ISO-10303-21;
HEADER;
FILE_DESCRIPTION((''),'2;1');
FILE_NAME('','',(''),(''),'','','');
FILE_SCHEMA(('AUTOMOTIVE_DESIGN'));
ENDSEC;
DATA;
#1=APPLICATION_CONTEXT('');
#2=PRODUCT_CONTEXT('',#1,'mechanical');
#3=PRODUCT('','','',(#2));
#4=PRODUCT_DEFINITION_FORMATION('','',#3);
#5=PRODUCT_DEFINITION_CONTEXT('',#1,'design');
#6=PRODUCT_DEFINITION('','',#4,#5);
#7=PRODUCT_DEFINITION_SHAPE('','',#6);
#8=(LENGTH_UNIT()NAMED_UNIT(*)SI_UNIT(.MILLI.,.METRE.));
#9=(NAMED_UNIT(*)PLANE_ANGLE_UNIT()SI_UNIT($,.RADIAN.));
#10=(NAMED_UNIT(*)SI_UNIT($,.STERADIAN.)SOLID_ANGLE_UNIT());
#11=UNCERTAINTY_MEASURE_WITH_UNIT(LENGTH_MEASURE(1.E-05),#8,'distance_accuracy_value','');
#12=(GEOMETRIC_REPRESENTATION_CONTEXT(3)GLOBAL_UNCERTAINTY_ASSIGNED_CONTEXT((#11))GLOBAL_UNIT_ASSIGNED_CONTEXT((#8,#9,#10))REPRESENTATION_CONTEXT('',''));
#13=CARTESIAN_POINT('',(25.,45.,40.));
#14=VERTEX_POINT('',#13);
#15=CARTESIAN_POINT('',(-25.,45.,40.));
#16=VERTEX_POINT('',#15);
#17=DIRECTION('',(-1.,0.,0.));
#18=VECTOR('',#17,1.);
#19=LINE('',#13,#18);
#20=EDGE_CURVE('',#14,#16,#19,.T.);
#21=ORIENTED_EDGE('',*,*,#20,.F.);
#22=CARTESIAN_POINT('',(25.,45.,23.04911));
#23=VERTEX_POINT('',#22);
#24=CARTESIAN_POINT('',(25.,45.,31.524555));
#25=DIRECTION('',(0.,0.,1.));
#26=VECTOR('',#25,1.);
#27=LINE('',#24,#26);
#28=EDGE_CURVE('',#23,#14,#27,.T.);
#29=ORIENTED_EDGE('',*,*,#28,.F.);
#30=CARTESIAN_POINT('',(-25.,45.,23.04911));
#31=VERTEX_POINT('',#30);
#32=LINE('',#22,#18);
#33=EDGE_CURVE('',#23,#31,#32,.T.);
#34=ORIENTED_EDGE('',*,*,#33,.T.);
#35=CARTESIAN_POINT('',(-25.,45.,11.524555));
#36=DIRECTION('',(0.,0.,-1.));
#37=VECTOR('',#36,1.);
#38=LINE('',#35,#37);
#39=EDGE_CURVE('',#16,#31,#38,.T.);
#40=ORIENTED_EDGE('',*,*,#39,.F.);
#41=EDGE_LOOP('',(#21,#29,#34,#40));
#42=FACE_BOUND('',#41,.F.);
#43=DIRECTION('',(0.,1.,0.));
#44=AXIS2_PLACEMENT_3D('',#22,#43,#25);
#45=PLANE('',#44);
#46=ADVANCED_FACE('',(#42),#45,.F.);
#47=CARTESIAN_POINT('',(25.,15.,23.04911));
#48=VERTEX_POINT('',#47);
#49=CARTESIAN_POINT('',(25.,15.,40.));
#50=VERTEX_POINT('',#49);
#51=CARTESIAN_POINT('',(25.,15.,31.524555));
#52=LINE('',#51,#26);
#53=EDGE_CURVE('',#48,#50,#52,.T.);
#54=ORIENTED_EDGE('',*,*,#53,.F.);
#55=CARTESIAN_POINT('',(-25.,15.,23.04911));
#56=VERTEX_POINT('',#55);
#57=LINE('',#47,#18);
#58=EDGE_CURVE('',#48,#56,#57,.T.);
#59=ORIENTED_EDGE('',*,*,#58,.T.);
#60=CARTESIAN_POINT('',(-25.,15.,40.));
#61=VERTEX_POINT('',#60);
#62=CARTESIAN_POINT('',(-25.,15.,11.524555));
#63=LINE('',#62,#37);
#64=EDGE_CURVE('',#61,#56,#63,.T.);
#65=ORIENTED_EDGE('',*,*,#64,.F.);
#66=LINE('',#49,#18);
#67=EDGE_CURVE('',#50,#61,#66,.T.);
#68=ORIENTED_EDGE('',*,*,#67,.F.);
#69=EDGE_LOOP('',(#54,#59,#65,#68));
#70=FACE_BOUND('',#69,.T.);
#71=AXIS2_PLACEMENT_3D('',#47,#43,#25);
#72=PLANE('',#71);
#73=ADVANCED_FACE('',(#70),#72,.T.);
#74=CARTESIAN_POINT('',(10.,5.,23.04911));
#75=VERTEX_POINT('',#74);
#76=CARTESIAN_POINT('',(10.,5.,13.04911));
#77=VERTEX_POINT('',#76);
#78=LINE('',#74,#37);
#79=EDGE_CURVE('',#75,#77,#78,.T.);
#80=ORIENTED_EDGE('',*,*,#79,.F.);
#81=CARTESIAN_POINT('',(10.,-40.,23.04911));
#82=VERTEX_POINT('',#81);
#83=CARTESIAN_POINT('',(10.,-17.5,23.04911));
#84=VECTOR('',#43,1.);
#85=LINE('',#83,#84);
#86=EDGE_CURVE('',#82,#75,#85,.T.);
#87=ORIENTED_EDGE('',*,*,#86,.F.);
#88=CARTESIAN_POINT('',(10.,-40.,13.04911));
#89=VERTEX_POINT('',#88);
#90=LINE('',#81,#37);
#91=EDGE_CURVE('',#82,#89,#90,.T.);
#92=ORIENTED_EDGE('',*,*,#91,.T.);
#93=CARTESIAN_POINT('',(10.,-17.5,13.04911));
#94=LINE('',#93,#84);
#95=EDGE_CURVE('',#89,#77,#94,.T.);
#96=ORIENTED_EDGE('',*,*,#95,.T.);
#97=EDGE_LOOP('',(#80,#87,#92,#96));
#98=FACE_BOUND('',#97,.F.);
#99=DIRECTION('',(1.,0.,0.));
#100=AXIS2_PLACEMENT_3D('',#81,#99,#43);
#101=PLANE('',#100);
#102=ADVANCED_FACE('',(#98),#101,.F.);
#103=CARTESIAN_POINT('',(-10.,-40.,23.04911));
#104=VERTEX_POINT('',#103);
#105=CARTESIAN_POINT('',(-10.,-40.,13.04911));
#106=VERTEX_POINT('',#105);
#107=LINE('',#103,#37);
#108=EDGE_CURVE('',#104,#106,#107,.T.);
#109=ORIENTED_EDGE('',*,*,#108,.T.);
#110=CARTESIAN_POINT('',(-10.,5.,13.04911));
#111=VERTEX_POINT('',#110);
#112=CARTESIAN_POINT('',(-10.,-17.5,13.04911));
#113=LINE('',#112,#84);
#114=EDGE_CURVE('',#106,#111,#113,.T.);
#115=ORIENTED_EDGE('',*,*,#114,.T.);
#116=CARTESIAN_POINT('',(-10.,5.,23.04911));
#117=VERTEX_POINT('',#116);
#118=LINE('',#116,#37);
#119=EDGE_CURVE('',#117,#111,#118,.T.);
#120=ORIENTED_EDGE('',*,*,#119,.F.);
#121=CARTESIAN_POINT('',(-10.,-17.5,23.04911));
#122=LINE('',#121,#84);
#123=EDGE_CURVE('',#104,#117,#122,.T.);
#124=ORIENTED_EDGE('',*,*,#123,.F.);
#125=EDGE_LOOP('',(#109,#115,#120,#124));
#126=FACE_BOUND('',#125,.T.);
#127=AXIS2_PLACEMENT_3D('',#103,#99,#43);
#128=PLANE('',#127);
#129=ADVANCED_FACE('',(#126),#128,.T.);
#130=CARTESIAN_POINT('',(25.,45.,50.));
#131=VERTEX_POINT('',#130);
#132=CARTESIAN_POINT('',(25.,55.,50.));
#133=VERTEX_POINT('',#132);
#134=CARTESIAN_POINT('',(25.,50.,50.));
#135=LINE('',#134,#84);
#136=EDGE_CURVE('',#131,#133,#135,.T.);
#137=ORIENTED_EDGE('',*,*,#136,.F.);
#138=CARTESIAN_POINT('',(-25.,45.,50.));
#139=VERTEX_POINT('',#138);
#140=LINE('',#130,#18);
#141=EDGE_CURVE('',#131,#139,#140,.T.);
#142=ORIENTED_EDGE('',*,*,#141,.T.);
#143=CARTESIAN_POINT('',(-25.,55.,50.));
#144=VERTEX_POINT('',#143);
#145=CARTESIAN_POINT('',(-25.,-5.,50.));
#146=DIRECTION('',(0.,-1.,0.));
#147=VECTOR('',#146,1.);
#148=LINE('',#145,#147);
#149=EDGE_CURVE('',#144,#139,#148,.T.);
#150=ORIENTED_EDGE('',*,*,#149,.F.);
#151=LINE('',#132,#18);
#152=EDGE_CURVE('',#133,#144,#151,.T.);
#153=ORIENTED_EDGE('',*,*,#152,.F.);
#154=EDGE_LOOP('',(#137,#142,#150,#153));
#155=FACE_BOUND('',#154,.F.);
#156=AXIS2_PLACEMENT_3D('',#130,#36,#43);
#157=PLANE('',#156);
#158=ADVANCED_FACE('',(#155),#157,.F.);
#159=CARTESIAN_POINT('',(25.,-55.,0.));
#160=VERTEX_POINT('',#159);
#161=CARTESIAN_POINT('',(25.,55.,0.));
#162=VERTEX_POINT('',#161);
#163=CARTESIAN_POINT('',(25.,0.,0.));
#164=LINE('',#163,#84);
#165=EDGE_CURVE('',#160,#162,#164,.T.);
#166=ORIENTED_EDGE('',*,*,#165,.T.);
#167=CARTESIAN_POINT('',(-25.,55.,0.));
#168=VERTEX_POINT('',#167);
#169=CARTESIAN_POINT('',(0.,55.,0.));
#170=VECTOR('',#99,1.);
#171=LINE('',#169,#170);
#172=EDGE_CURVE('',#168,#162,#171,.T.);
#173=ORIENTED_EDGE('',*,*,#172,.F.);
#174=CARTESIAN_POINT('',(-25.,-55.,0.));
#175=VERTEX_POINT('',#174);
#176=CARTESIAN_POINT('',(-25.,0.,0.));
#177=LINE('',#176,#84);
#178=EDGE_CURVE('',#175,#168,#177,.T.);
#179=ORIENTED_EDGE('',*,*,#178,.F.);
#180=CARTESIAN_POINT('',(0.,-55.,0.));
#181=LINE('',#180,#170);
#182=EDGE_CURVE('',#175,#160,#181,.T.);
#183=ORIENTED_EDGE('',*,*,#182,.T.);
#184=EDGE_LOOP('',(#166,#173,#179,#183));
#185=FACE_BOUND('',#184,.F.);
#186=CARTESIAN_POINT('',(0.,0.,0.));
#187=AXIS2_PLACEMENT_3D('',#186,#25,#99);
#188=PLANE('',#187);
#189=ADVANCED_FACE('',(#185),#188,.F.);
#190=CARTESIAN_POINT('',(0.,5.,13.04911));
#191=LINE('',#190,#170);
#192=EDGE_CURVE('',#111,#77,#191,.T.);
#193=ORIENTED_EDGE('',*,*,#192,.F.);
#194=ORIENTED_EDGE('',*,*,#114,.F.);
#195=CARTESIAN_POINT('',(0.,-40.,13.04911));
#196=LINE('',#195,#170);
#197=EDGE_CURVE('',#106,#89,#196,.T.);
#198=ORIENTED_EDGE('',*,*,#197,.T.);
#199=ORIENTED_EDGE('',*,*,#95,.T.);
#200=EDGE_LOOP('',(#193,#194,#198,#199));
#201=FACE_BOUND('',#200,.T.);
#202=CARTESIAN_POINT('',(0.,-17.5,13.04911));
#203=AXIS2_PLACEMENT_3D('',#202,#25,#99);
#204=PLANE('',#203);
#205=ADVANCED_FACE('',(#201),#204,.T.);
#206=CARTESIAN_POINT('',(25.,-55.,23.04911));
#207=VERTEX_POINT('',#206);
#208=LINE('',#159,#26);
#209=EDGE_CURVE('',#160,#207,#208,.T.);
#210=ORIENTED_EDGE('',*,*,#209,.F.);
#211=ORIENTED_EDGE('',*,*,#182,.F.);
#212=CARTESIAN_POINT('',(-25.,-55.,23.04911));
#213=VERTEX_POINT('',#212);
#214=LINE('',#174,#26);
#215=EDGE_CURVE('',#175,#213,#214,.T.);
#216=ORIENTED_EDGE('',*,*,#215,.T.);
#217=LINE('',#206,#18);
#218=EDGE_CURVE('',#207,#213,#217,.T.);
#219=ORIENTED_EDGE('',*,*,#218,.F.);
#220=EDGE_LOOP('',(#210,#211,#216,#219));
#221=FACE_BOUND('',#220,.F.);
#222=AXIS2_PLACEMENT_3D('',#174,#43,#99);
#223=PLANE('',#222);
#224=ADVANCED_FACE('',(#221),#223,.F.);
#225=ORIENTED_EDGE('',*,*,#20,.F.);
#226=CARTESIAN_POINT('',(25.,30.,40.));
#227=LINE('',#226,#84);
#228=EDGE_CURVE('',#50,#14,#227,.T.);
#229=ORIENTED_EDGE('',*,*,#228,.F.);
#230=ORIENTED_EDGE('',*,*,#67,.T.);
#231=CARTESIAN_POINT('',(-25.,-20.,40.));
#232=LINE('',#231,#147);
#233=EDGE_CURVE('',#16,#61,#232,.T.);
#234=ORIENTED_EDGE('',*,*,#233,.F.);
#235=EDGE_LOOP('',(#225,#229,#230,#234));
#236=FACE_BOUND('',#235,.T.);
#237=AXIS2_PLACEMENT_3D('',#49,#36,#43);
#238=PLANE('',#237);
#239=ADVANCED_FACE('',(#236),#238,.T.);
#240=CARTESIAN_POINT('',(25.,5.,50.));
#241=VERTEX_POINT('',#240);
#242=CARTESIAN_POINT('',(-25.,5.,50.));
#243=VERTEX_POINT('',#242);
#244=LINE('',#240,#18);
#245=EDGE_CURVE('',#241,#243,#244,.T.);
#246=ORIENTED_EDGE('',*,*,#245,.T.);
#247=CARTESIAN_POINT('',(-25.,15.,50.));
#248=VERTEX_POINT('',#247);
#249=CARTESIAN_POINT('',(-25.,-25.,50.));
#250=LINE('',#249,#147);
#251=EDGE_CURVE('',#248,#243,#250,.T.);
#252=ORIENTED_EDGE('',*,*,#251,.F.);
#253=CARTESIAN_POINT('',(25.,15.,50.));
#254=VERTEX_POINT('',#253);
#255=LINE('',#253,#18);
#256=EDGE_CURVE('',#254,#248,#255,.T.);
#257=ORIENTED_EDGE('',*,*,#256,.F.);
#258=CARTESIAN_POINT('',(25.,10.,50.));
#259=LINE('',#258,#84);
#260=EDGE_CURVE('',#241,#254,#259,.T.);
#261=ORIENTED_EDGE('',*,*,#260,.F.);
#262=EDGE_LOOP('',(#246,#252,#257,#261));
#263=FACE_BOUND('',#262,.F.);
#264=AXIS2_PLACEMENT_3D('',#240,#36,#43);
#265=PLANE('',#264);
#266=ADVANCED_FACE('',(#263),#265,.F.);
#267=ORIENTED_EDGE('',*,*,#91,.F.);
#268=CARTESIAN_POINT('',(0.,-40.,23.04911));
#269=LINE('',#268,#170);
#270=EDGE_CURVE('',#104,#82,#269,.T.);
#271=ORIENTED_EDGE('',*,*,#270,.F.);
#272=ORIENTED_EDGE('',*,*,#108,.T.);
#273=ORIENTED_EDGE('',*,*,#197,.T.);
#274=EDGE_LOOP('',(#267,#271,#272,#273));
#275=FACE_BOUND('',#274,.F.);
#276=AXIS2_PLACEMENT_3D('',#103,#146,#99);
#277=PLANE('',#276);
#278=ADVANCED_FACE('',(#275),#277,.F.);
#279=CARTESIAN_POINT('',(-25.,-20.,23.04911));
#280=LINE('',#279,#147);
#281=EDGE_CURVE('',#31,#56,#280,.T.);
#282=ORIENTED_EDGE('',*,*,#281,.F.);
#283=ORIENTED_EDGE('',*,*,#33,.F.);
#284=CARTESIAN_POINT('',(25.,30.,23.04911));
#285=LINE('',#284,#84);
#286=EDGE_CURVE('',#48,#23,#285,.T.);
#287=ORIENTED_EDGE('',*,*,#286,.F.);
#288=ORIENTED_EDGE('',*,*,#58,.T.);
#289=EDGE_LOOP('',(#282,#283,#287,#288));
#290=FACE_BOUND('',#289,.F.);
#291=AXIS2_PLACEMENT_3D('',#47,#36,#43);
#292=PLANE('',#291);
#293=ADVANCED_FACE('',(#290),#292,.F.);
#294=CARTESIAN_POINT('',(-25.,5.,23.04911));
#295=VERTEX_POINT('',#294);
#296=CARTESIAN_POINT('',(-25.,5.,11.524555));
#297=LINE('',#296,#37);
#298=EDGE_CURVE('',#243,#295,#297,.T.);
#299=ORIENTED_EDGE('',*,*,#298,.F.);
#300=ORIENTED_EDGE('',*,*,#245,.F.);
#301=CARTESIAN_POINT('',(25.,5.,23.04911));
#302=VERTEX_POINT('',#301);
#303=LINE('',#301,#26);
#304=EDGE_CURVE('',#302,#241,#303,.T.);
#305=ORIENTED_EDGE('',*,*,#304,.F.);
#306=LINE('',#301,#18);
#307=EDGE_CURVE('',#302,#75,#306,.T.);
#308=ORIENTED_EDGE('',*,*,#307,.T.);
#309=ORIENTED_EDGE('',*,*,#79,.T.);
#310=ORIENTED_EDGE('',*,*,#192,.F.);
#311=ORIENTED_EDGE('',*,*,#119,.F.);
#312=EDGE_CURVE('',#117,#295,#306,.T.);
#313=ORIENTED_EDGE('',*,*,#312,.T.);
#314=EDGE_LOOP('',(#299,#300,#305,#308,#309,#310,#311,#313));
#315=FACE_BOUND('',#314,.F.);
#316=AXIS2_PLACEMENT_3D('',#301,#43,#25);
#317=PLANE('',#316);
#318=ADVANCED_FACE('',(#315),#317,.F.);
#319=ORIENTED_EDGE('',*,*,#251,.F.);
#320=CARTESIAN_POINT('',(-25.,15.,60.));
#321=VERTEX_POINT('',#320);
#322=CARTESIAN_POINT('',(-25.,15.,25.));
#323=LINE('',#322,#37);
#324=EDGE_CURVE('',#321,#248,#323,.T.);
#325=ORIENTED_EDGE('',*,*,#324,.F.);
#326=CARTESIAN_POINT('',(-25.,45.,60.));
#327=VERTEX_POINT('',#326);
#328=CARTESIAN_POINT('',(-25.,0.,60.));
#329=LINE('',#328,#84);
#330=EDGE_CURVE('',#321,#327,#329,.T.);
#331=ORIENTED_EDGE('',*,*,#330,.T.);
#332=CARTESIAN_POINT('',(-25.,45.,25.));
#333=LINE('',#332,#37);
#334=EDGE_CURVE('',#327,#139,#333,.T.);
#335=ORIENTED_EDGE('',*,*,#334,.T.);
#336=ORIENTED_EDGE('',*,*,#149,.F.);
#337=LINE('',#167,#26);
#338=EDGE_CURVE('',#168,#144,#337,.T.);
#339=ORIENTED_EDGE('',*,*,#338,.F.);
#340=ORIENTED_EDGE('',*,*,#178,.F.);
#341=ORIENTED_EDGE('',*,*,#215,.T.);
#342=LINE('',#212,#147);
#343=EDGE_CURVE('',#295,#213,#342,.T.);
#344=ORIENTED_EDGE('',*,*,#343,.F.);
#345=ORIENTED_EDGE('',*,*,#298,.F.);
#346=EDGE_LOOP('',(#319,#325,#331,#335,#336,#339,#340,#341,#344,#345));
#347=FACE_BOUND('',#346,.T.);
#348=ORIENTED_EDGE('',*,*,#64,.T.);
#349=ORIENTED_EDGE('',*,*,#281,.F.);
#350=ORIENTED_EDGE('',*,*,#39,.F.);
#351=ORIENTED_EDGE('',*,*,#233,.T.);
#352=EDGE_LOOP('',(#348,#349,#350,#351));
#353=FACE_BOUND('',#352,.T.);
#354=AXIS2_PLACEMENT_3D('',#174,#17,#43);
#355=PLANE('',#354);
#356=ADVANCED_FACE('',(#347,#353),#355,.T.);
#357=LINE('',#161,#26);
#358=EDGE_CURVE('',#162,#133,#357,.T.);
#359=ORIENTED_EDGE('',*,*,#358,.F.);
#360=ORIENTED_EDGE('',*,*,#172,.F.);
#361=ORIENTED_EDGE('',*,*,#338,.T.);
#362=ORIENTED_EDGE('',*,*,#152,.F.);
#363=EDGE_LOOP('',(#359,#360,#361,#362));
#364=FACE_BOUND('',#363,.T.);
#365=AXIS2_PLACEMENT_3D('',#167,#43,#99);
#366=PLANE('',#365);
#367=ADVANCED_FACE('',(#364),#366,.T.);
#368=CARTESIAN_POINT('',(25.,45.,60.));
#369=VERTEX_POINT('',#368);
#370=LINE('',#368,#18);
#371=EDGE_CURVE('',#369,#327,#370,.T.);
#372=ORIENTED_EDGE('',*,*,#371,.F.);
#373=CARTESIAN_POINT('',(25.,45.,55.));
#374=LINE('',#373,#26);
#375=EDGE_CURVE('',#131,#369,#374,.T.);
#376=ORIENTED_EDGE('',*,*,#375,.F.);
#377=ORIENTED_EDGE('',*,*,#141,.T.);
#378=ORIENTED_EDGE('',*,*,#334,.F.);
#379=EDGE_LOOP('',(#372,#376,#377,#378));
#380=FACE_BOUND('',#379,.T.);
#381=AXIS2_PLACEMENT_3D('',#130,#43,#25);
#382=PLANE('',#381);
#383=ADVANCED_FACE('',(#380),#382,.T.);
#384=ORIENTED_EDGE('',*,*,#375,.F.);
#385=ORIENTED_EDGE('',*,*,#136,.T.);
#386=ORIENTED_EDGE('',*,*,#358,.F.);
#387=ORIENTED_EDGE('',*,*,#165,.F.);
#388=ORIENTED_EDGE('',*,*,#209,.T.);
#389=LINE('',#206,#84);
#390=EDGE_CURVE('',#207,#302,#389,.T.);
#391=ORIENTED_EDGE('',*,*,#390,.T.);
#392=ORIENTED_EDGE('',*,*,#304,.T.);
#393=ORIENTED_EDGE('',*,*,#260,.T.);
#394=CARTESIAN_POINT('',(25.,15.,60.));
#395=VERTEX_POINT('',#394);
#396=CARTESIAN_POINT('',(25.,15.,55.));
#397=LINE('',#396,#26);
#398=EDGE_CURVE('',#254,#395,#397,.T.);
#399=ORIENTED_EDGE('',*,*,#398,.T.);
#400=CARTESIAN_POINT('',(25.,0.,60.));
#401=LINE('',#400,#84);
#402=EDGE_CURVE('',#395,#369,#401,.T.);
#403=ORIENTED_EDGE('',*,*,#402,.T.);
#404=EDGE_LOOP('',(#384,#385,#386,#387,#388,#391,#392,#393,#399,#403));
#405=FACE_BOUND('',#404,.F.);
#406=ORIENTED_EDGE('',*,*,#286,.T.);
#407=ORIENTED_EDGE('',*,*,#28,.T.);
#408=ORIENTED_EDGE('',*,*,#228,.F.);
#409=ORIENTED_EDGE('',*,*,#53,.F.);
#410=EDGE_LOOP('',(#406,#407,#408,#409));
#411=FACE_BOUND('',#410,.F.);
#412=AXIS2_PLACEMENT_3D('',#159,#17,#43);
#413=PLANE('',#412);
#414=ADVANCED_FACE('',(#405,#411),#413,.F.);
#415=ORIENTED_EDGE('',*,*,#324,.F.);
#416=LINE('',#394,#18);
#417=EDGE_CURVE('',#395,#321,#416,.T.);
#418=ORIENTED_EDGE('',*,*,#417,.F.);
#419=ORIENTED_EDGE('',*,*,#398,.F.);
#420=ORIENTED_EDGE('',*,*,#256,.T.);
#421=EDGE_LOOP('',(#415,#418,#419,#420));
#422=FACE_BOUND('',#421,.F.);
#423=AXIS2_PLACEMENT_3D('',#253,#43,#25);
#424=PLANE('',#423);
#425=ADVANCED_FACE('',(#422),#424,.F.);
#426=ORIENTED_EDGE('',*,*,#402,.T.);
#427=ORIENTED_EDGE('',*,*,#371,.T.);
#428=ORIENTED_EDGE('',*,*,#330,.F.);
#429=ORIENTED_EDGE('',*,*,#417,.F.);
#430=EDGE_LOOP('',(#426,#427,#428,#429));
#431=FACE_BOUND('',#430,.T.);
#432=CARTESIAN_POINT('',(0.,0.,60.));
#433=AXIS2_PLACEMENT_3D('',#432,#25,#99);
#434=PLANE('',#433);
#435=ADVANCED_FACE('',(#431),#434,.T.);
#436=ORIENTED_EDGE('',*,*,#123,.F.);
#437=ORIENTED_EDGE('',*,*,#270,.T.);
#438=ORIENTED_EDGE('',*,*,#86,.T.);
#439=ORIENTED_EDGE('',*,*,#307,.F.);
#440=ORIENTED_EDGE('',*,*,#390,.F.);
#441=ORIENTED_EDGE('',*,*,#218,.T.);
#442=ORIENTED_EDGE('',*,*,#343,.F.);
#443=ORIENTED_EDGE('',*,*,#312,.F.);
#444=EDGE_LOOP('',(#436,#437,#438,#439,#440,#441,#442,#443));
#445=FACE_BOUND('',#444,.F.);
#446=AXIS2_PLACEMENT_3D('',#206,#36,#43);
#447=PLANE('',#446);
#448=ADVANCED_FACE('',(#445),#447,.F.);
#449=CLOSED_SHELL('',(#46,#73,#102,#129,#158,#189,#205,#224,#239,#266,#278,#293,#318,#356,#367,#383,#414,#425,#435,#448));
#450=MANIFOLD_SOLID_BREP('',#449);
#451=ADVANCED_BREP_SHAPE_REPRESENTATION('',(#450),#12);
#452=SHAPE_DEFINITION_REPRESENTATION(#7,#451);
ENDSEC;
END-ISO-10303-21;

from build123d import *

# Parameters (mm, degrees)
F0_W     = 50
F0_H     = 110
F1_DEPTH = 60
F2_W     = 30
F2_H     = 16.95089
F2_W_2   = 10
F2_H_2   = 10
F3_DEPTH = 50.001
F4_W     = 20
F4_H     = 45
F5_DEPTH = 10


with BuildPart() as f1:
    # F0 (on Top) → F1 (new body)
    with BuildSketch(Plane.XY):
        Rectangle(F0_W, F0_H)
    extrude(amount=F1_DEPTH)

    # F2 (on face) → F3 (cut, through all)
    with BuildSketch(Plane.YZ.offset(25)):
        with Locations((30, 31.524555)):
            Rectangle(F2_W, F2_H)
        with Locations((50, 55)):
            Rectangle(F2_W_2, F2_H_2)
        with Locations((10, 55)):
            Rectangle(F2_W_2, F2_H_2)
        Polygon((5, 50), (5, 60), (-55, 60), (-55, 23.04911), (5, 23.04911), align=None)
    extrude(amount=-F3_DEPTH, mode=Mode.SUBTRACT)

    # F4 (on face) → F5 (cut)
    with BuildSketch(Plane.XY.offset(23.04911)):
        with Locations((0, -17.5)):
            Rectangle(F4_W, F4_H)
    extrude(amount=-F5_DEPTH, mode=Mode.SUBTRACT)


solid = f1.part
